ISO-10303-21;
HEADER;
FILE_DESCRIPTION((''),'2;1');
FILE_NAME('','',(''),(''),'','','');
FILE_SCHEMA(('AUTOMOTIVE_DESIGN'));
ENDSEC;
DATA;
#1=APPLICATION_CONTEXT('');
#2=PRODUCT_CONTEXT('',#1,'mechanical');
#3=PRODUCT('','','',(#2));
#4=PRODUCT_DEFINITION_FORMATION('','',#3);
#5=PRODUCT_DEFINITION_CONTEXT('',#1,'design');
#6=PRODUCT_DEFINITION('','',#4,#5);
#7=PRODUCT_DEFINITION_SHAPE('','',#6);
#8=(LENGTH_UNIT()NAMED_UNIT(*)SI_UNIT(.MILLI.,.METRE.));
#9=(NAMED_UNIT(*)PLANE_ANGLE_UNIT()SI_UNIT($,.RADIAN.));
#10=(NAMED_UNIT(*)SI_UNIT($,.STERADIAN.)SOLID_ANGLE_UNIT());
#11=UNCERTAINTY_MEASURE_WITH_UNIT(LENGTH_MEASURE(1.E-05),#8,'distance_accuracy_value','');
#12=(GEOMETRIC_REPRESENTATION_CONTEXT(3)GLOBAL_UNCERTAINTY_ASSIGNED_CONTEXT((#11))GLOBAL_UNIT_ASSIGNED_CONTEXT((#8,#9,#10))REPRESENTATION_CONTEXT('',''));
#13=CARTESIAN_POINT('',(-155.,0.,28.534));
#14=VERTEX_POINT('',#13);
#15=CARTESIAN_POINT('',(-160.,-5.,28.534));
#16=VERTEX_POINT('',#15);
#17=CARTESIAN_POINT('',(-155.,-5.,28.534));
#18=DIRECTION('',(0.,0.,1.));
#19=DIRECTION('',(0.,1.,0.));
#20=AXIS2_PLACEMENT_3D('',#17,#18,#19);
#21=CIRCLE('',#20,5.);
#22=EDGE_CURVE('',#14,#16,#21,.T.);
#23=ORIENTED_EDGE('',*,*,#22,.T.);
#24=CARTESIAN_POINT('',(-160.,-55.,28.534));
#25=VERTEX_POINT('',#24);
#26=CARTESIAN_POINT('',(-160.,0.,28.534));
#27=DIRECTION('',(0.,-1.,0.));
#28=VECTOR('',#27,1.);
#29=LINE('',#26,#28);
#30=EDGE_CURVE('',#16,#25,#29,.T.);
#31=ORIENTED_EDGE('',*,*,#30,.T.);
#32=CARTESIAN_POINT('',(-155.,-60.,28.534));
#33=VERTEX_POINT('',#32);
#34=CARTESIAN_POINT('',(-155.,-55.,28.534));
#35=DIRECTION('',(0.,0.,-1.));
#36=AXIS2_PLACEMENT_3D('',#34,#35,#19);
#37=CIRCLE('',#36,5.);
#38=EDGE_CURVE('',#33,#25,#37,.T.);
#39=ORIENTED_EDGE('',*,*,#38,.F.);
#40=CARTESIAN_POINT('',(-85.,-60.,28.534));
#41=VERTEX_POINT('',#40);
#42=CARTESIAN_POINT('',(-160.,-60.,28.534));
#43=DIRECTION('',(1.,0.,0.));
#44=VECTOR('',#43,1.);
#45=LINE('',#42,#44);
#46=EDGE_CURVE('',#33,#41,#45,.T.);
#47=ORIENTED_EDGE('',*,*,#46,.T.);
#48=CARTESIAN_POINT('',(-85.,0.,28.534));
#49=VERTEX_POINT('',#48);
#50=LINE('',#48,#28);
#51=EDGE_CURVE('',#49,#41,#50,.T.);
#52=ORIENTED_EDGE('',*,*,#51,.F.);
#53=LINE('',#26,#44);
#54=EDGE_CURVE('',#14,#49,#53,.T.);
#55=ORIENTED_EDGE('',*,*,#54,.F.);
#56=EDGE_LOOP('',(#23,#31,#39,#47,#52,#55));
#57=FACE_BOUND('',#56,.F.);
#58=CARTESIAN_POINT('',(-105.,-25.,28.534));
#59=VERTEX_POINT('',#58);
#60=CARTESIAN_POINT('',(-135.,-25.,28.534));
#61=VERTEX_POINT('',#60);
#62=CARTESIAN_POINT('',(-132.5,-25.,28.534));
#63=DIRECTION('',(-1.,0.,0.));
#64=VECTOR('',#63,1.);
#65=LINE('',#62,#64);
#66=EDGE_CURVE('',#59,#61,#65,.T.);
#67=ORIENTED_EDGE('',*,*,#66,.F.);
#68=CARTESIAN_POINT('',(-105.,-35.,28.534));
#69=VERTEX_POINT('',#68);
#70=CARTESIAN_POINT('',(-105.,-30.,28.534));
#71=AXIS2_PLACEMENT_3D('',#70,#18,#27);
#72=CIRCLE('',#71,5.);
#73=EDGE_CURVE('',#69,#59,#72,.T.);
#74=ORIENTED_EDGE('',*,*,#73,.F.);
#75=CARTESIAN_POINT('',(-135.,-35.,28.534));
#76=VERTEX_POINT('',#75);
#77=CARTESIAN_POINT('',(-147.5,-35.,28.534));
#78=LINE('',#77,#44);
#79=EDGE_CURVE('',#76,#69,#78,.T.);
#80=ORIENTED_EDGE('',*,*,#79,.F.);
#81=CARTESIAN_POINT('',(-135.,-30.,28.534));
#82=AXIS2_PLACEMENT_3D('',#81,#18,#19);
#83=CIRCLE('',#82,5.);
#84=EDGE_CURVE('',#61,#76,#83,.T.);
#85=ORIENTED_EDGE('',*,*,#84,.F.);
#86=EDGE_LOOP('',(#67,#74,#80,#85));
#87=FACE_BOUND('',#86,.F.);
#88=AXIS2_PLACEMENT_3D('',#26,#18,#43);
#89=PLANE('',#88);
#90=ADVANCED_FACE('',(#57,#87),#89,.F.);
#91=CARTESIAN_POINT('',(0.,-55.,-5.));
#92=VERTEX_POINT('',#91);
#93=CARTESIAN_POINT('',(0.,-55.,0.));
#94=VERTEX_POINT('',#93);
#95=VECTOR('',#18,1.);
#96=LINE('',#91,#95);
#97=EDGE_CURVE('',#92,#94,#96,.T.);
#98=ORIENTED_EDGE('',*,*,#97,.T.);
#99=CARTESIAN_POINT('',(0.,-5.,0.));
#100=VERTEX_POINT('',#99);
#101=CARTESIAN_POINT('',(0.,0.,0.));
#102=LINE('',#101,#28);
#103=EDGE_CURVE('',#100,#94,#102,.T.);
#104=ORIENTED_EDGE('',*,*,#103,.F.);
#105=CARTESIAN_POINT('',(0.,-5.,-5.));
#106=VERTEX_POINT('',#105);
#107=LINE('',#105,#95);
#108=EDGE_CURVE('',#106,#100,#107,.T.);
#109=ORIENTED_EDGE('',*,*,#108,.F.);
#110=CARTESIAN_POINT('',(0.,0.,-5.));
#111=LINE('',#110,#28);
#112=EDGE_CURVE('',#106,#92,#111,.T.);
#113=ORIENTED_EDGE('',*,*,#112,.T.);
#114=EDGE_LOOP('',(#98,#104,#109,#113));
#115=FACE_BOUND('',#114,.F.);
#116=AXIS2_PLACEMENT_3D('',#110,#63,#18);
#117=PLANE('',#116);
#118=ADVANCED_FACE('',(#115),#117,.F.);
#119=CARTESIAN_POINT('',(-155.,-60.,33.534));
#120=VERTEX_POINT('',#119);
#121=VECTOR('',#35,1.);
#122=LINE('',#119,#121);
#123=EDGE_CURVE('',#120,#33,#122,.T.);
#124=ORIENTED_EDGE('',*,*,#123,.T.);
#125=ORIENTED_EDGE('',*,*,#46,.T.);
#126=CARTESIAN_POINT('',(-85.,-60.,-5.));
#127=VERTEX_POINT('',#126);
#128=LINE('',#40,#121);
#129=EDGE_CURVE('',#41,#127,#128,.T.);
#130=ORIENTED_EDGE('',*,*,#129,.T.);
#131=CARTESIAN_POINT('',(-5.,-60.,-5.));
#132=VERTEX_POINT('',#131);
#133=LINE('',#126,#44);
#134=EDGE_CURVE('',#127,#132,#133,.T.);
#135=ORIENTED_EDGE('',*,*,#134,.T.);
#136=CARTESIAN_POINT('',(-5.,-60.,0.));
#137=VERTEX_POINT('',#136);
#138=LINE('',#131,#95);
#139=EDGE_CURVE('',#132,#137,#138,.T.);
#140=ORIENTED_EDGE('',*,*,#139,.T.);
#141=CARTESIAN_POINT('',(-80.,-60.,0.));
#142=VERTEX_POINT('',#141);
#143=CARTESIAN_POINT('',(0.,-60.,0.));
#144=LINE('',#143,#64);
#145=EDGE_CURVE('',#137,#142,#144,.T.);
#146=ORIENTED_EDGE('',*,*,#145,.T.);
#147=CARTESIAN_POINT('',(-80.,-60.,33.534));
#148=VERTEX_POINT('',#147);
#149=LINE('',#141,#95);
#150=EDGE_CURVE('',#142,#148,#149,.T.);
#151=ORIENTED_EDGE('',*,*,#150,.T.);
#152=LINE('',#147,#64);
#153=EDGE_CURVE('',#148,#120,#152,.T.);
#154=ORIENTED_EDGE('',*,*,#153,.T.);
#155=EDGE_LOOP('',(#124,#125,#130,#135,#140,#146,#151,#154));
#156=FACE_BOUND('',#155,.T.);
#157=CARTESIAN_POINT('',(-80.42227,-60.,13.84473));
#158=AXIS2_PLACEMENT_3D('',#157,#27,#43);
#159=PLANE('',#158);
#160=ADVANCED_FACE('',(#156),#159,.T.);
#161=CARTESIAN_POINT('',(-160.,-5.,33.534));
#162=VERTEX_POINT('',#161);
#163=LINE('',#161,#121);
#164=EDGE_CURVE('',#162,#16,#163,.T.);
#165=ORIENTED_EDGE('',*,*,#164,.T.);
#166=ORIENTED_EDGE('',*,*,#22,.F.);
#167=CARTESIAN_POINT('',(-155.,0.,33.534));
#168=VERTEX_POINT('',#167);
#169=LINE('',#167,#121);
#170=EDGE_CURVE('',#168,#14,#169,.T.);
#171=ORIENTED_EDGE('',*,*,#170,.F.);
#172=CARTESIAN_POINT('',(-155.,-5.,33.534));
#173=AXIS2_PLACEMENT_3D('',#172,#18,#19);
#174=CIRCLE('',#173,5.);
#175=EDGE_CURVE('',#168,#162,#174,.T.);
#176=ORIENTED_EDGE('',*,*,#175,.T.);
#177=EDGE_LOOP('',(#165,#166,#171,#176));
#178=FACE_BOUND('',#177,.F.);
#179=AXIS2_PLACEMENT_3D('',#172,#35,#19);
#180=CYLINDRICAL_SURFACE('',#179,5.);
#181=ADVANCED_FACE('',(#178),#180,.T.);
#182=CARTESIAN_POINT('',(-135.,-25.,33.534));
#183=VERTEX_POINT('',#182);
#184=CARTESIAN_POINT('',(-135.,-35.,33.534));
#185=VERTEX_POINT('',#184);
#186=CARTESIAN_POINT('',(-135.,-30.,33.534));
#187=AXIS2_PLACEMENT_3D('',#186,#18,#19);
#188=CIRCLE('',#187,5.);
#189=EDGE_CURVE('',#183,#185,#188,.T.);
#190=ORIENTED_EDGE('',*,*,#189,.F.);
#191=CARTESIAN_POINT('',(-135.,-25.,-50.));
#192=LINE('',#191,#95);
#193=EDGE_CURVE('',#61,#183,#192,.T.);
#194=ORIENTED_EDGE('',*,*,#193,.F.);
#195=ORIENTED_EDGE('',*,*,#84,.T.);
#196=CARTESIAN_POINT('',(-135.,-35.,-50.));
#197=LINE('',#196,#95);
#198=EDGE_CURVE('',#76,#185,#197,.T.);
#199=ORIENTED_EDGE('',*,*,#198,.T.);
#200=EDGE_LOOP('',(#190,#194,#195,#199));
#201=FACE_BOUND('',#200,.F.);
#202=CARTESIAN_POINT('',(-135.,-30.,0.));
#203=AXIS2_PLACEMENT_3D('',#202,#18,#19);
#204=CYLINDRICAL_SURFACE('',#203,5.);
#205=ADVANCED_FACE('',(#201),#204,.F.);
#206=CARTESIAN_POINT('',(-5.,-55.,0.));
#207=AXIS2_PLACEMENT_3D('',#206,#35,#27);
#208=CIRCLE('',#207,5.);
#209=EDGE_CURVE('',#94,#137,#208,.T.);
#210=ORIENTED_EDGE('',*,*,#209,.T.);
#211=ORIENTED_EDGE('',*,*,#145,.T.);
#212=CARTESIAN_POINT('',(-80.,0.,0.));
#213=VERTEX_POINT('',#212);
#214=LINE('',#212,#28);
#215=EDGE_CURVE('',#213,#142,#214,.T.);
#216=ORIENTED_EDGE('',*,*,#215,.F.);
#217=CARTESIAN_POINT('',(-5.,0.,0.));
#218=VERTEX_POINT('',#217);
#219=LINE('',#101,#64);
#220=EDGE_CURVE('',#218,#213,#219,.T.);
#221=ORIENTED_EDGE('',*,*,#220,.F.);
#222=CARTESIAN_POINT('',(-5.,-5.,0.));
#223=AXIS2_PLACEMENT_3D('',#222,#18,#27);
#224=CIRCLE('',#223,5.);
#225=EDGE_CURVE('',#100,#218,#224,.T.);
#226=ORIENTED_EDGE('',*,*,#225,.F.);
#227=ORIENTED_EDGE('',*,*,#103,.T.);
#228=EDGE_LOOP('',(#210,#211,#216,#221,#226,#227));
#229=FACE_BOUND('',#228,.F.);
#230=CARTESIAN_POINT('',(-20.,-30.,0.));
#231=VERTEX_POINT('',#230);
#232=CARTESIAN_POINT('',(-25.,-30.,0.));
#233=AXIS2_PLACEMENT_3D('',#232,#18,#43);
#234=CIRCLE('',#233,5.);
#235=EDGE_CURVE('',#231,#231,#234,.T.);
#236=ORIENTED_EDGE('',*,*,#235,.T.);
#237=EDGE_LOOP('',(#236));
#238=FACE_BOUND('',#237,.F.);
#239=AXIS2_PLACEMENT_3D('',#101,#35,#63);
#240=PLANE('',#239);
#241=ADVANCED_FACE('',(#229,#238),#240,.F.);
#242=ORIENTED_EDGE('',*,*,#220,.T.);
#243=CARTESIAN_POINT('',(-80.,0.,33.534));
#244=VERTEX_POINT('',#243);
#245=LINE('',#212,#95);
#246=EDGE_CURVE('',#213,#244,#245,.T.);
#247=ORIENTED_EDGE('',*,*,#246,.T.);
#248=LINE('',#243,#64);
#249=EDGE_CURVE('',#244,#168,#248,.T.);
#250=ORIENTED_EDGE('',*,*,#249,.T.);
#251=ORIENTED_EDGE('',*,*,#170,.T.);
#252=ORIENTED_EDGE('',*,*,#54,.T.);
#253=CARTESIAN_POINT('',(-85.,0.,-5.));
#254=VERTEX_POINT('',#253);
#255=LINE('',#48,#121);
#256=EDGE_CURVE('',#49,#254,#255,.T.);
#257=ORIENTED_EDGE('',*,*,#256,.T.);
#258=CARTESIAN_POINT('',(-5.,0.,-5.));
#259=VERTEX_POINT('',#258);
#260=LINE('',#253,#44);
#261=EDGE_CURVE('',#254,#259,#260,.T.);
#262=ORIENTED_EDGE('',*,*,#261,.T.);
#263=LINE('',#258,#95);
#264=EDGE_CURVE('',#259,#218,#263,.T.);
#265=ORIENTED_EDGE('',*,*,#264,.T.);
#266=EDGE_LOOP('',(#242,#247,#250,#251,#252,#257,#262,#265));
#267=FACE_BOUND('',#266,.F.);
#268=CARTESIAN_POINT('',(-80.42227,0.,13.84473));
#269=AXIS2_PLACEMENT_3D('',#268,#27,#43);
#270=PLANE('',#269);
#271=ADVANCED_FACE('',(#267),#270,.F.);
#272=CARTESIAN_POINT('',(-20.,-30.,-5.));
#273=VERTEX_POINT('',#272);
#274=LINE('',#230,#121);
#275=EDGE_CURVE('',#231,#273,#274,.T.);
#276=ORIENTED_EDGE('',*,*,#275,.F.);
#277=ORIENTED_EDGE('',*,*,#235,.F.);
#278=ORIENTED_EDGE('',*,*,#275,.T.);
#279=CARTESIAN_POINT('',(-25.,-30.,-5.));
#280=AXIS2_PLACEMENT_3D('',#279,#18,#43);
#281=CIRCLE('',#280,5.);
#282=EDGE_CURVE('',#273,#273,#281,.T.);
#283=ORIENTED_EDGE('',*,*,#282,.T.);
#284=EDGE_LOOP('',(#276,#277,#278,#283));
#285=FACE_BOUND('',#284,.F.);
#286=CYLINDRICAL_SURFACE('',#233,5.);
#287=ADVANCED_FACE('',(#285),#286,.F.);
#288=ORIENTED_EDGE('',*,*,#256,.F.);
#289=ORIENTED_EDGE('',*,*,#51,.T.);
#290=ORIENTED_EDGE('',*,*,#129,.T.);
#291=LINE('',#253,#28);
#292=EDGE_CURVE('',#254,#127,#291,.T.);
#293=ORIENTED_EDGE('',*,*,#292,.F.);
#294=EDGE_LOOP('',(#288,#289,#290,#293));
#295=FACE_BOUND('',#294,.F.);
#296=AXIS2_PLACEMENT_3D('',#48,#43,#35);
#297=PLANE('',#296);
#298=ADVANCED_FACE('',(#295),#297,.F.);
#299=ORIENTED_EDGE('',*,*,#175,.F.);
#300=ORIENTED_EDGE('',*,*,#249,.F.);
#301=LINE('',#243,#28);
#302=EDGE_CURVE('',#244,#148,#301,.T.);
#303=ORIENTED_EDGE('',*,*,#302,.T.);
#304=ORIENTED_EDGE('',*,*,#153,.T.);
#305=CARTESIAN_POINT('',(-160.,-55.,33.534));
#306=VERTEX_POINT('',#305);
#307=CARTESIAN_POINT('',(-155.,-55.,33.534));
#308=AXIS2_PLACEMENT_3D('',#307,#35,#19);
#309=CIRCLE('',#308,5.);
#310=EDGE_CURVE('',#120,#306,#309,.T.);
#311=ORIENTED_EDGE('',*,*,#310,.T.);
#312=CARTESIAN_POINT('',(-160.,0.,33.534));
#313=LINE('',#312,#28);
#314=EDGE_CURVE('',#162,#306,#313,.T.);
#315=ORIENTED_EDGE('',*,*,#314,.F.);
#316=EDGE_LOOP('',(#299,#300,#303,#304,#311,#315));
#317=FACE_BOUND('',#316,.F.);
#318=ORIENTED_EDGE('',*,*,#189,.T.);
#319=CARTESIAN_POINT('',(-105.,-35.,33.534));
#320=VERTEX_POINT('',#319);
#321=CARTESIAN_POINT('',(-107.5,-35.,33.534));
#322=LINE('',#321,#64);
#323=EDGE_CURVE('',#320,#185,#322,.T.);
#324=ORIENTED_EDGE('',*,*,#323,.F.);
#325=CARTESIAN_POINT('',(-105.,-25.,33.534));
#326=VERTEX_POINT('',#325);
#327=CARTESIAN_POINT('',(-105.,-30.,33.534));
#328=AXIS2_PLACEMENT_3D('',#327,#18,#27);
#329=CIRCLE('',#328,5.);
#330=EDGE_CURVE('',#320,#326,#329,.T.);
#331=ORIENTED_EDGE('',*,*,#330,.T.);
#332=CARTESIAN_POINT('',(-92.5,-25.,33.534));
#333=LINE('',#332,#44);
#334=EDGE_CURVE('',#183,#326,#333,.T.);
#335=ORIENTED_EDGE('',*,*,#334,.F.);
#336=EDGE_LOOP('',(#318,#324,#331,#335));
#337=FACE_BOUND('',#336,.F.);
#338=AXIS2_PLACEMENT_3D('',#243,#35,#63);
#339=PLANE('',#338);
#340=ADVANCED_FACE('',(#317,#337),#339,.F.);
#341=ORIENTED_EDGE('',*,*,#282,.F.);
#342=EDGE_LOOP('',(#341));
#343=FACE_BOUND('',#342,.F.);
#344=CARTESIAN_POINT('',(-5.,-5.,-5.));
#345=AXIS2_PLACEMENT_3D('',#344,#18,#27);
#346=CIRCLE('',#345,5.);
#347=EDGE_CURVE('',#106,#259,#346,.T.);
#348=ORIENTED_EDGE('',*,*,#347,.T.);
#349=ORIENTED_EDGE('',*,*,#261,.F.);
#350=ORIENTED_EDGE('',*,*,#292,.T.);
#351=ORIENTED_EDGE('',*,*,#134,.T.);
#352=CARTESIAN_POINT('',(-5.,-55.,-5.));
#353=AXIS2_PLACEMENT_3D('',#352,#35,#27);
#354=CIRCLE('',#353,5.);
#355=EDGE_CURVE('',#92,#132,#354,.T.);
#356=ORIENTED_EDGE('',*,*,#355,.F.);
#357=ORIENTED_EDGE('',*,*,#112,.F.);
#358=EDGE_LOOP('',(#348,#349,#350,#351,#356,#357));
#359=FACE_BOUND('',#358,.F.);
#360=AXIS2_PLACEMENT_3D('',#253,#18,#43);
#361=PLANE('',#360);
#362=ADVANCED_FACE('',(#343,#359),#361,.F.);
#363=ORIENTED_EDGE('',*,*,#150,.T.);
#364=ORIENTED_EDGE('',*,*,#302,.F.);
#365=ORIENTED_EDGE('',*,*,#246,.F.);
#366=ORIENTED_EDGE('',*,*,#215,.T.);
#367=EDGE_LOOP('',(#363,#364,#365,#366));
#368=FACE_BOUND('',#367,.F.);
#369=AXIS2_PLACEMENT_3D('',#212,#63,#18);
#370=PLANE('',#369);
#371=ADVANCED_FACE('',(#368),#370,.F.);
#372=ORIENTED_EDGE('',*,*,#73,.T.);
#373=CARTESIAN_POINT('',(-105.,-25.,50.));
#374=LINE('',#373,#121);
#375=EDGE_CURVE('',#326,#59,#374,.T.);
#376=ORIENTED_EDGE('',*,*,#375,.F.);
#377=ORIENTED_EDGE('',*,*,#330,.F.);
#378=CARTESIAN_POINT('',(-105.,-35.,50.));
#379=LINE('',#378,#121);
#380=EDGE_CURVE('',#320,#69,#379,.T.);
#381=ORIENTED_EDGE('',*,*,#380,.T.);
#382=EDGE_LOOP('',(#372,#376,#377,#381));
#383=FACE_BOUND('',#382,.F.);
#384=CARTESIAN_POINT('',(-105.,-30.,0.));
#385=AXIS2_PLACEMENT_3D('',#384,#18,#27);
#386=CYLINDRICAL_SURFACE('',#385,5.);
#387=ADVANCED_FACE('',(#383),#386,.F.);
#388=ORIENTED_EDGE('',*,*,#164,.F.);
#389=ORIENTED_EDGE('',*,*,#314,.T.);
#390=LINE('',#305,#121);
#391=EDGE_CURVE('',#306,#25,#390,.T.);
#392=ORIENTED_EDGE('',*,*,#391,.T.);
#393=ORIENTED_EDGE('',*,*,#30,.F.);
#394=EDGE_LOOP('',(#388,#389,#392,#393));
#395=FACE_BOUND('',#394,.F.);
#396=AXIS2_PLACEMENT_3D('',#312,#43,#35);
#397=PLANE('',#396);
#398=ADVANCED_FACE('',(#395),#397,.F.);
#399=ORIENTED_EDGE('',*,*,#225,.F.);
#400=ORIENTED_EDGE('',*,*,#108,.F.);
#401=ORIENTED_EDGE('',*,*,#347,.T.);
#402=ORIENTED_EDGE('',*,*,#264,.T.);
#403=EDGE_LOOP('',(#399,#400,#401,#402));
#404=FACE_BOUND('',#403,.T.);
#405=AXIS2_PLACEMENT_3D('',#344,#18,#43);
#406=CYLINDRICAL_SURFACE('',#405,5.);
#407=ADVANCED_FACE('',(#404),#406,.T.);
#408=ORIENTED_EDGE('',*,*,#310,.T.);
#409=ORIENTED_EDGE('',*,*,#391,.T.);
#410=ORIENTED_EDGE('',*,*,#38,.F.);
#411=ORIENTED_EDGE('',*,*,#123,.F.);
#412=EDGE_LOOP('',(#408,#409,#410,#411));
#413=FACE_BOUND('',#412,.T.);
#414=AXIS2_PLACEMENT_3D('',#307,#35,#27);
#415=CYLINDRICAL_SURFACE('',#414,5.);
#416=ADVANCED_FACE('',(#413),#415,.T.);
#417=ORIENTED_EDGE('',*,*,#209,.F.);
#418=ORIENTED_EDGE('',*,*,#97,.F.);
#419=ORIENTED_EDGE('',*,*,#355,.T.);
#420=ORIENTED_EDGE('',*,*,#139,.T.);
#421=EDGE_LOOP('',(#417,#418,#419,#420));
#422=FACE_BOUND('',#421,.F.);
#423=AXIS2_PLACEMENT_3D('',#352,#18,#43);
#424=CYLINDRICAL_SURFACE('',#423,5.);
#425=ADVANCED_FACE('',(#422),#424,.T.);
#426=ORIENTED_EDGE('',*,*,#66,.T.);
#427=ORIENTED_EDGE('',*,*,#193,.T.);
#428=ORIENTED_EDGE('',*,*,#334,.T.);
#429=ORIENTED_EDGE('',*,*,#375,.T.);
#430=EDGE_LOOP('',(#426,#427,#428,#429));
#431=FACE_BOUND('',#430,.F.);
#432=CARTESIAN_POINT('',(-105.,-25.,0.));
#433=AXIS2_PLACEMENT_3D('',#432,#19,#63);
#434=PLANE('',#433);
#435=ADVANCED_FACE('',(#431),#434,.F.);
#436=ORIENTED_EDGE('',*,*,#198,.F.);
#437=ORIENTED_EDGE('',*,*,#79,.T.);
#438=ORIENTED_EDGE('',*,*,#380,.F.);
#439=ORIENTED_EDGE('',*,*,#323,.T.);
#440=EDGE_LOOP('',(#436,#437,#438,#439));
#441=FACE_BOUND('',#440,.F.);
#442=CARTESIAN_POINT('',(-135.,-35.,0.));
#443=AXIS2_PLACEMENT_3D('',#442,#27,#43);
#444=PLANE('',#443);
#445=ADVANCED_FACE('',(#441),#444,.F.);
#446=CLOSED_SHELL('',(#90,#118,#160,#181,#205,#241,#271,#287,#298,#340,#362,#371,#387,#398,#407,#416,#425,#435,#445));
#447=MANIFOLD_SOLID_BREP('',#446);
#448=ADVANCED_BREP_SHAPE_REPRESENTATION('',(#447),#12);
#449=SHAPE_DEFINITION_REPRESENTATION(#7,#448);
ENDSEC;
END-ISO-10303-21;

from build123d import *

# Parameters (mm, degrees)
F1_DEPTH = 60
F2_R     = 5
F3_DEPTH = 50
F4_R     = 5


with BuildPart() as f1:
    # F0 (on Front) → F1 (new body)
    with BuildSketch(Plane.XZ):
        Polygon((0, -5), (0, 0), (-80, 0), (-80, 33.534), (-160, 33.534), (-160, 28.534), (-85, 28.534), (-85, -5), align=None)
    extrude(amount=F1_DEPTH)

    # F2 (on face) → F3 (cut, symmetric)
    with BuildSketch(Plane.XY):
        with Locations((-25, -30)):
            Circle(F2_R)
        with BuildLine():
            Line((-105, -25), (-135, -25))
            ThreePointArc((-135, -25), (-140, -30), (-135, -35))
            Line((-135, -35), (-105, -35))
            ThreePointArc((-105, -35), (-100, -30), (-105, -25))
        make_face()
    extrude(amount=F3_DEPTH, both=True, mode=Mode.SUBTRACT)

    # F4
    f4_edges = [f1.edges().sort_by_distance(p)[0] for p in [
        (-160, -60, 31.034),
        (-160, 0, 31.034),
        (0, -60, -2.5),
        (0, 0, -2.5),
    ]]
    fillet(f4_edges, radius=F4_R)


solid = f1.part
